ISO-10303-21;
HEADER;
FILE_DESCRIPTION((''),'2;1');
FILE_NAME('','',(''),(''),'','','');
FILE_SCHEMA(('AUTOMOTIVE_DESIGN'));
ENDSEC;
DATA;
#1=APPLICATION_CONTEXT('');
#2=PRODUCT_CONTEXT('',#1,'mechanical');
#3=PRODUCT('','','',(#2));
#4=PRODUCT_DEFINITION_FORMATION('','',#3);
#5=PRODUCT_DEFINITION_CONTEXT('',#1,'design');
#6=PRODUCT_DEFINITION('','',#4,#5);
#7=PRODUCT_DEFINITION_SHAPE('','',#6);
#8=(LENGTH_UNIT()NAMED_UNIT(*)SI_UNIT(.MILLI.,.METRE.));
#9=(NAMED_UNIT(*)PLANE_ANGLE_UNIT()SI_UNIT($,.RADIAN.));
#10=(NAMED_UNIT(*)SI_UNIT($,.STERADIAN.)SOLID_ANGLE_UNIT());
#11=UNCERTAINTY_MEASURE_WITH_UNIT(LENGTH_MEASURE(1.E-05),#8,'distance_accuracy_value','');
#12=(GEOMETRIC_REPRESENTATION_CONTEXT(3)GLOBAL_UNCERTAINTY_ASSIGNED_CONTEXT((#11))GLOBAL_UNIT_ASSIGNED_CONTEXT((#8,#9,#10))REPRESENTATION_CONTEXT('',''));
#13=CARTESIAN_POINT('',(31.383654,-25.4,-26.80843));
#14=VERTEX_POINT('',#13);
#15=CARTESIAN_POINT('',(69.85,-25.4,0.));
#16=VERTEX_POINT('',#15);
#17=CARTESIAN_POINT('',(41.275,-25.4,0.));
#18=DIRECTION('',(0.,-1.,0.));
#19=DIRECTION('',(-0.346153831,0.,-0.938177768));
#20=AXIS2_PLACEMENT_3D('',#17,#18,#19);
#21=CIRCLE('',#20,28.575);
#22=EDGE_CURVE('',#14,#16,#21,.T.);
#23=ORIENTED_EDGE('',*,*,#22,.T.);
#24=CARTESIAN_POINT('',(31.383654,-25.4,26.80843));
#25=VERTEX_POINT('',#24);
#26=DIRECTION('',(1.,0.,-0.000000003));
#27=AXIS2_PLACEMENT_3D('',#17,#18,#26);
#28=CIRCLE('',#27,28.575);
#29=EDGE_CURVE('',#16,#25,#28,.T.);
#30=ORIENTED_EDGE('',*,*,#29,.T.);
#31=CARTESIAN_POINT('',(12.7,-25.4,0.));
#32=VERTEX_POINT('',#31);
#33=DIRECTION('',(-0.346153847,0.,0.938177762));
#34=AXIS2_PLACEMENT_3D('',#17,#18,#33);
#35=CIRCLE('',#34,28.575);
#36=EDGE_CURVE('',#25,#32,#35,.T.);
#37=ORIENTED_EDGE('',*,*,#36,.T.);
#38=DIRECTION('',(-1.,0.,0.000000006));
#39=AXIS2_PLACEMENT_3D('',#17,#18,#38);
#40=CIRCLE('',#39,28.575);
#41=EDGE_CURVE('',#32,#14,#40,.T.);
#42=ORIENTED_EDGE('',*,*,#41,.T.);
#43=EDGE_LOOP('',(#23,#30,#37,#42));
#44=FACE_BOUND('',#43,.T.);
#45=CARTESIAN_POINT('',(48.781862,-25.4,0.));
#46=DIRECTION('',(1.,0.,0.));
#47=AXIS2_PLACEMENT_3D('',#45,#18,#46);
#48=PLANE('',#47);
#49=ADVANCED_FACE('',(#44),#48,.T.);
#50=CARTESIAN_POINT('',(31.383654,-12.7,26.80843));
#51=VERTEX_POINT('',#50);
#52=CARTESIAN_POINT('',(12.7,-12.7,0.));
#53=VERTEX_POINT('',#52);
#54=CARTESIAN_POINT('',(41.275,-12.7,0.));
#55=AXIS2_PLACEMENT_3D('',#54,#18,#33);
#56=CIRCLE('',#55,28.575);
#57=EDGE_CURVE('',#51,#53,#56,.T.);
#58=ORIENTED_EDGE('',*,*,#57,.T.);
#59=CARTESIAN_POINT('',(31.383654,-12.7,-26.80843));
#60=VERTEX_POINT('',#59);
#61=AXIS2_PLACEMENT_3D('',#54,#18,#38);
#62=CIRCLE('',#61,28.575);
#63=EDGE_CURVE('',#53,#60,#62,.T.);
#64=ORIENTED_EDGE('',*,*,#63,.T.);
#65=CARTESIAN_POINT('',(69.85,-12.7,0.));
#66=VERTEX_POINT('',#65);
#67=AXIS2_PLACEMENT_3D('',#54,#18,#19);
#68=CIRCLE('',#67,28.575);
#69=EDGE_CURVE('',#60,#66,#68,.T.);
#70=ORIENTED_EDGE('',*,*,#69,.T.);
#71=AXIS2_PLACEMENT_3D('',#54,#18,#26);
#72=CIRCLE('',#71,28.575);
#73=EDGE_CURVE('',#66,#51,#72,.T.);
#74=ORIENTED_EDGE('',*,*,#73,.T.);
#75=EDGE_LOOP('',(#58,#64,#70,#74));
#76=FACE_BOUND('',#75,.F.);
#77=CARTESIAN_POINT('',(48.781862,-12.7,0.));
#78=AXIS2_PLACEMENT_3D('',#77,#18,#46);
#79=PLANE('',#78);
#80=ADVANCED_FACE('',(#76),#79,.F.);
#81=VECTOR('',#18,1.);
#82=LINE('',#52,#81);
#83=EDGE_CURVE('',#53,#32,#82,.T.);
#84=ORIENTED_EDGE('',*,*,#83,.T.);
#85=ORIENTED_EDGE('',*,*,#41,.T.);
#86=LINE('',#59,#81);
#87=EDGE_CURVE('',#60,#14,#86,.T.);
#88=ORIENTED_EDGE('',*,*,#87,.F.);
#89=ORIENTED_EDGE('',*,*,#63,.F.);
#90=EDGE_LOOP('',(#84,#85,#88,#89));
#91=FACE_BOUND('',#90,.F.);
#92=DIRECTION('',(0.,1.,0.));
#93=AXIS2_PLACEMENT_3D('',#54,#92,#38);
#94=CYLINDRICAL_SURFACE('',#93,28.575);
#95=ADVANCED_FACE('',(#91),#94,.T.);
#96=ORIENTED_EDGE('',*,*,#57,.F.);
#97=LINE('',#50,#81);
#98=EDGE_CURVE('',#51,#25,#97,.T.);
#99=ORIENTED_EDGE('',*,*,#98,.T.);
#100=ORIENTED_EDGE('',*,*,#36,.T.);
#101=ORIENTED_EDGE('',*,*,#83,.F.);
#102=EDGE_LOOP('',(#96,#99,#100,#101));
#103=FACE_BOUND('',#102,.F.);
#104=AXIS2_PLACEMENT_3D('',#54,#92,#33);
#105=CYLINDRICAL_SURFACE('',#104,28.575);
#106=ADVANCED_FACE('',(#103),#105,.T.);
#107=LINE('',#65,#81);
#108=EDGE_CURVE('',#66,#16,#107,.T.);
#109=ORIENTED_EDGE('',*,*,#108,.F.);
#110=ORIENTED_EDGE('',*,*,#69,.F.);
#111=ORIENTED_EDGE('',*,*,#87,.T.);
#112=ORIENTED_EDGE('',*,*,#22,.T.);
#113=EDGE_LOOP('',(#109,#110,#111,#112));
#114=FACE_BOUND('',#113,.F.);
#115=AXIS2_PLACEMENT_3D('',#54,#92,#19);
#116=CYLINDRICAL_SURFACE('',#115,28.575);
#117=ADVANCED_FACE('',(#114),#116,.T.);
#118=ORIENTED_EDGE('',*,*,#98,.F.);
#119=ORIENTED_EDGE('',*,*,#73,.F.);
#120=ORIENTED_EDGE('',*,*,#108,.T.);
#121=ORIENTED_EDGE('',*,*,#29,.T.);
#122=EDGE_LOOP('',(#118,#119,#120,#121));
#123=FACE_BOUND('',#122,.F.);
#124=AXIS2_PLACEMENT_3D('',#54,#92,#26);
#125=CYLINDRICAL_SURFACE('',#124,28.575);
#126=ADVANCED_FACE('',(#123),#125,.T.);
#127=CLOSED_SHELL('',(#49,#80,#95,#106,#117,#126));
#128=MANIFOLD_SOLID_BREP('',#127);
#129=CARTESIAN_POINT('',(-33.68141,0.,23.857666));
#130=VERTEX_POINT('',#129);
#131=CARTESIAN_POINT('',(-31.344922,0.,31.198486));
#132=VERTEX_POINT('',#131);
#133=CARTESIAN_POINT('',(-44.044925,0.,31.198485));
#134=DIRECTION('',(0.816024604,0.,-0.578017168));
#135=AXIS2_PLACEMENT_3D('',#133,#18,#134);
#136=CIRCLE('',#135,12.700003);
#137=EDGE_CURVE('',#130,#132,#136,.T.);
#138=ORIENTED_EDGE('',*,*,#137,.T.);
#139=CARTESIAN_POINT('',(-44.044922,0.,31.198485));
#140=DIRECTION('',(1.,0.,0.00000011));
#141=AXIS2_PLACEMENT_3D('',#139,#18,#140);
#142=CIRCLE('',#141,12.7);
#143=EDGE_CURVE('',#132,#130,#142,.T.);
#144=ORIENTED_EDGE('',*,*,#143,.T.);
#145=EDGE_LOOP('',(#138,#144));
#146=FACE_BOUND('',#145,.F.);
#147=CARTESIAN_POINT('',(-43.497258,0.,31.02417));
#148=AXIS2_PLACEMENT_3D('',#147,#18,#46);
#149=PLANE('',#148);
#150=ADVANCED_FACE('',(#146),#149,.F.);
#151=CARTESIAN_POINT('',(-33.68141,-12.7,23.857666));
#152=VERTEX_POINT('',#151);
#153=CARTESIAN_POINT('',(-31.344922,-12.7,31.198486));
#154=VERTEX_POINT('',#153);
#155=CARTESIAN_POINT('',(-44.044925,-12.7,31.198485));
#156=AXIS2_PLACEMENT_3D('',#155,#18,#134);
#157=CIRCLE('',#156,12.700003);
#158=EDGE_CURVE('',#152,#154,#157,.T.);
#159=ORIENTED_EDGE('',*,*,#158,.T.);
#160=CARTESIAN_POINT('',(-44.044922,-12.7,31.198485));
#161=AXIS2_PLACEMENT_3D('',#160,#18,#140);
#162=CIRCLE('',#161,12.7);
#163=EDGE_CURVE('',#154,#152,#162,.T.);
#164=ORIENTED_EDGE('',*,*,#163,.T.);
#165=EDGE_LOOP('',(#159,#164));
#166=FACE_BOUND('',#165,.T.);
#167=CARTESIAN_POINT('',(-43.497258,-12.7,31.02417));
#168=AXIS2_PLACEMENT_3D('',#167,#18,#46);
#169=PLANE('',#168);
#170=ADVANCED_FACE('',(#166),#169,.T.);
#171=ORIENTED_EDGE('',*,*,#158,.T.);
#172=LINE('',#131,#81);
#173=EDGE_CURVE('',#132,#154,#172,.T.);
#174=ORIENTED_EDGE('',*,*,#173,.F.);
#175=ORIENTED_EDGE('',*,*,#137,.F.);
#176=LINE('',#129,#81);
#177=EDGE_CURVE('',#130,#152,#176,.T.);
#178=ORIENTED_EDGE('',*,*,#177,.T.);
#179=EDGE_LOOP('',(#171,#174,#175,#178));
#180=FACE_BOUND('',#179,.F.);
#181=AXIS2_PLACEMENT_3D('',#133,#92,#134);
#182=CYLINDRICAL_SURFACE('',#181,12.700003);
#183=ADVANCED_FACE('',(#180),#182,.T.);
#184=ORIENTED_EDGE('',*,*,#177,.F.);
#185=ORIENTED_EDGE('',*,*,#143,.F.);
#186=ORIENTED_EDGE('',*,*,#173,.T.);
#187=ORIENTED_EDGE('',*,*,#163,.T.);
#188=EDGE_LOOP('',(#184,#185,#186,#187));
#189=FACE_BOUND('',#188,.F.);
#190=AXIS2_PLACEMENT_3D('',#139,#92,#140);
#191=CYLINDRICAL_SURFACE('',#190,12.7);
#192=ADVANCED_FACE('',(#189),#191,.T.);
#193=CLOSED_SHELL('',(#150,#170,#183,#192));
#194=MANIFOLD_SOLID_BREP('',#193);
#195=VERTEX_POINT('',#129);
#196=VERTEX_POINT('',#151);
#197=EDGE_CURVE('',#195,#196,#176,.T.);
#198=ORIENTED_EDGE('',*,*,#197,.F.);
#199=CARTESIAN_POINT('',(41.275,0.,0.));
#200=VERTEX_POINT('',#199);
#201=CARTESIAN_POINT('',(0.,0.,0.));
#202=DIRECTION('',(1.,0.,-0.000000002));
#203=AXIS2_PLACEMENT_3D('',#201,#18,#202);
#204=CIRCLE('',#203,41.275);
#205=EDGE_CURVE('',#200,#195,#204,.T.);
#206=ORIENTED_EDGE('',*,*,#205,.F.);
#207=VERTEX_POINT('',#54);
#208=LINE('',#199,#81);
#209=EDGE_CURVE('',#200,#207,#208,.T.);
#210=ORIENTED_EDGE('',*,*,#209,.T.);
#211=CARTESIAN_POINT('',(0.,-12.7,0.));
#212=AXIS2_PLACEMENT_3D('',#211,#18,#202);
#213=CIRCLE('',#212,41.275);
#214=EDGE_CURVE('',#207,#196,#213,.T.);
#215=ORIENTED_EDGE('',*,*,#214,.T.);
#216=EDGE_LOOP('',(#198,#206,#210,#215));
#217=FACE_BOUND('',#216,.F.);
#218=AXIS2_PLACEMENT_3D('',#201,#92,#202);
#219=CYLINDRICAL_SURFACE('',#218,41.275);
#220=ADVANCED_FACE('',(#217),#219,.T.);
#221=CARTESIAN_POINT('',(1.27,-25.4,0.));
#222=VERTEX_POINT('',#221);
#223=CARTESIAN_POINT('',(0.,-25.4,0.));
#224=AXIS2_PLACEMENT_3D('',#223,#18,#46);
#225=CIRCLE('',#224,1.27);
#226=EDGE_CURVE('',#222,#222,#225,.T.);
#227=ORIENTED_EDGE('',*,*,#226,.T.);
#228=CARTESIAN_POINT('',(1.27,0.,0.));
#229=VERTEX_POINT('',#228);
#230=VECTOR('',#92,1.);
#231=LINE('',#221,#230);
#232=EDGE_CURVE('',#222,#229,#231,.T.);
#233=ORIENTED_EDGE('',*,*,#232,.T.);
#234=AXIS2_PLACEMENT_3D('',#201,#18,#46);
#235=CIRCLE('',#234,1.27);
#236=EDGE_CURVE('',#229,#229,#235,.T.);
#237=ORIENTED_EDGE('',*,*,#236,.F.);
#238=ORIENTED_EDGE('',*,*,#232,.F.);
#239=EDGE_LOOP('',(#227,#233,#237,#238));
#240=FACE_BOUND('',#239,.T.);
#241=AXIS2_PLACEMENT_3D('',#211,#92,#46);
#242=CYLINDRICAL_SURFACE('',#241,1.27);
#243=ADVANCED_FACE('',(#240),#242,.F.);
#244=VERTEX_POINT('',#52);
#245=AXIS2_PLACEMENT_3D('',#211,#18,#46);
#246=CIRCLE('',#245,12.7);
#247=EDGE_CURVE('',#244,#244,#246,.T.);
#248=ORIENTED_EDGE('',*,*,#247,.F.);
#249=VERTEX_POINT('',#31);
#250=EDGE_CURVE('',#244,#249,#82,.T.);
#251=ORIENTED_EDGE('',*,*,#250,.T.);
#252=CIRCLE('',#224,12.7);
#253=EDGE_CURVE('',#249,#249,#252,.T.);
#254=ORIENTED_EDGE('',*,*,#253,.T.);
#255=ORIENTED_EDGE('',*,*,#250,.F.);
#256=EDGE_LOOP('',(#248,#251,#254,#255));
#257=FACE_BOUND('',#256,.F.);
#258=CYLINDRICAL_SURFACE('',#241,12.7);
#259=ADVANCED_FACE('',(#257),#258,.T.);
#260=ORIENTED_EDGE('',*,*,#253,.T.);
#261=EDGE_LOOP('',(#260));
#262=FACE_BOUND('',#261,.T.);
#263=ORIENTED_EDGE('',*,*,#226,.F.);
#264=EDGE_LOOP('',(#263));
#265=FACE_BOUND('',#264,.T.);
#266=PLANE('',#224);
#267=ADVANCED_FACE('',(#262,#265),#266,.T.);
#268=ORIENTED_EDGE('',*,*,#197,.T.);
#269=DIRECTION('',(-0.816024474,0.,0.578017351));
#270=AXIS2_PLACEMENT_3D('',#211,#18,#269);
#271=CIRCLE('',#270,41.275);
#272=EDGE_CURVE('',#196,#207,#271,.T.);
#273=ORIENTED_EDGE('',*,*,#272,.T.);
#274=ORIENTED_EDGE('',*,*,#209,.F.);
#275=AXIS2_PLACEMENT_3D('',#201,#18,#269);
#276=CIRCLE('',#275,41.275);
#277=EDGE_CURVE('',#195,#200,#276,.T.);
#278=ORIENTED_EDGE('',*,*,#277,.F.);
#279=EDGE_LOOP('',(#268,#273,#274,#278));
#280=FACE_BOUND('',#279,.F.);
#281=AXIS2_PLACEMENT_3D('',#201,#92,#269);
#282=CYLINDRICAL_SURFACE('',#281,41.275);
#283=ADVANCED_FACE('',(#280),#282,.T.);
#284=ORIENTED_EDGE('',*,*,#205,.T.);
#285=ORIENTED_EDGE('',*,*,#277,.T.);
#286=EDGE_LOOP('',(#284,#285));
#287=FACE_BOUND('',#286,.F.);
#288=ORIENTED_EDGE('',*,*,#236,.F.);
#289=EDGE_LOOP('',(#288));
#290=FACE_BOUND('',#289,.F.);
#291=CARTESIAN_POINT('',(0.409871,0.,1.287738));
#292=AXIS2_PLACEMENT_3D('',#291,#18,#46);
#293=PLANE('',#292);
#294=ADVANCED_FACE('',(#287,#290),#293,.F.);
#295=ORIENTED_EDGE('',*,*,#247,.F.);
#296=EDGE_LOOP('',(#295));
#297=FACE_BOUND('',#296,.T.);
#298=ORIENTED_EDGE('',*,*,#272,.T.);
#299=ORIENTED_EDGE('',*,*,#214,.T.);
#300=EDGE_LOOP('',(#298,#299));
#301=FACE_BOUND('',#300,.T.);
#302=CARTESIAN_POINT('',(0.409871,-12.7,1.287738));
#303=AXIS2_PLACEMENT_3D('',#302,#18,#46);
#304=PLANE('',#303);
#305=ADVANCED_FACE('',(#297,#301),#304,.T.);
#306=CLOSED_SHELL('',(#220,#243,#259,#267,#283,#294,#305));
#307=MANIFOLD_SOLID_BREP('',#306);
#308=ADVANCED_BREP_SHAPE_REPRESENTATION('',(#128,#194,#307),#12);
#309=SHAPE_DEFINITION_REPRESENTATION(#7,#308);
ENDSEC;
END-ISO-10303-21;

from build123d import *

# Parameters (mm, degrees)
F0_R     = 1.27
F1_DEPTH = 12.7
F2_R     = 12.7
F2_R_2   = 1.27
F3_DEPTH = 12.7
F4_DEPTH = 12.7


with BuildPart() as f1:
    # F0 (on Front) → F1 (new body)
    with BuildSketch(Plane.XZ):
        with BuildLine():
            ThreePointArc((-33.68141, 23.857666), (-12.518494, -39.330814), (41.275, 0))
            ThreePointArc((41.275, 0), (12.518494, 39.330814), (-33.68141, 23.857666))
        make_face()
        Circle(F0_R, mode=Mode.SUBTRACT)
        with BuildLine():
            ThreePointArc((-31.344922, 31.198486), (-56.14671, 35.05033), (-33.68141, 23.857666))
            ThreePointArc((-33.68141, 23.857666), (-31.943133, 27.346641), (-31.344922, 31.198486))
        make_face()
    extrude(amount=F1_DEPTH)

    # F2 (on face) → F3 (join)
    with BuildSketch(Plane.XZ.offset(12.7)):
        Circle(F2_R)
        Circle(F2_R_2, mode=Mode.SUBTRACT)
    extrude(amount=F3_DEPTH)


with BuildPart() as f4:
    # F2 (on face) → F4 (new body)
    with BuildSketch(Plane.XZ.offset(12.7)):
        with BuildLine():
            ThreePointArc((69.85, 0), (57.613381, 23.443292), (31.383654, 26.80843))
            ThreePointArc((31.383654, 26.80843), (38.723287, 14.2875), (41.275, 0))
            ThreePointArc((41.275, 0), (38.723287, -14.2875), (31.383654, -26.80843))
            ThreePointArc((31.383654, -26.80843), (57.613381, -23.443292), (69.85, 0))
        make_face()
        with BuildLine():
            ThreePointArc((31.383654, 26.80843), (17.831708, 16.338381), (12.7, 0))
            ThreePointArc((12.7, 0), (17.831708, -16.338381), (31.383654, -26.80843))
            ThreePointArc((31.383654, -26.80843), (38.723287, -14.2875), (41.275, 0))
            ThreePointArc((41.275, 0), (38.723287, 14.2875), (31.383654, 26.80843))
        make_face()
    extrude(amount=F4_DEPTH)


solid = Compound([f1.part, f4.part])
